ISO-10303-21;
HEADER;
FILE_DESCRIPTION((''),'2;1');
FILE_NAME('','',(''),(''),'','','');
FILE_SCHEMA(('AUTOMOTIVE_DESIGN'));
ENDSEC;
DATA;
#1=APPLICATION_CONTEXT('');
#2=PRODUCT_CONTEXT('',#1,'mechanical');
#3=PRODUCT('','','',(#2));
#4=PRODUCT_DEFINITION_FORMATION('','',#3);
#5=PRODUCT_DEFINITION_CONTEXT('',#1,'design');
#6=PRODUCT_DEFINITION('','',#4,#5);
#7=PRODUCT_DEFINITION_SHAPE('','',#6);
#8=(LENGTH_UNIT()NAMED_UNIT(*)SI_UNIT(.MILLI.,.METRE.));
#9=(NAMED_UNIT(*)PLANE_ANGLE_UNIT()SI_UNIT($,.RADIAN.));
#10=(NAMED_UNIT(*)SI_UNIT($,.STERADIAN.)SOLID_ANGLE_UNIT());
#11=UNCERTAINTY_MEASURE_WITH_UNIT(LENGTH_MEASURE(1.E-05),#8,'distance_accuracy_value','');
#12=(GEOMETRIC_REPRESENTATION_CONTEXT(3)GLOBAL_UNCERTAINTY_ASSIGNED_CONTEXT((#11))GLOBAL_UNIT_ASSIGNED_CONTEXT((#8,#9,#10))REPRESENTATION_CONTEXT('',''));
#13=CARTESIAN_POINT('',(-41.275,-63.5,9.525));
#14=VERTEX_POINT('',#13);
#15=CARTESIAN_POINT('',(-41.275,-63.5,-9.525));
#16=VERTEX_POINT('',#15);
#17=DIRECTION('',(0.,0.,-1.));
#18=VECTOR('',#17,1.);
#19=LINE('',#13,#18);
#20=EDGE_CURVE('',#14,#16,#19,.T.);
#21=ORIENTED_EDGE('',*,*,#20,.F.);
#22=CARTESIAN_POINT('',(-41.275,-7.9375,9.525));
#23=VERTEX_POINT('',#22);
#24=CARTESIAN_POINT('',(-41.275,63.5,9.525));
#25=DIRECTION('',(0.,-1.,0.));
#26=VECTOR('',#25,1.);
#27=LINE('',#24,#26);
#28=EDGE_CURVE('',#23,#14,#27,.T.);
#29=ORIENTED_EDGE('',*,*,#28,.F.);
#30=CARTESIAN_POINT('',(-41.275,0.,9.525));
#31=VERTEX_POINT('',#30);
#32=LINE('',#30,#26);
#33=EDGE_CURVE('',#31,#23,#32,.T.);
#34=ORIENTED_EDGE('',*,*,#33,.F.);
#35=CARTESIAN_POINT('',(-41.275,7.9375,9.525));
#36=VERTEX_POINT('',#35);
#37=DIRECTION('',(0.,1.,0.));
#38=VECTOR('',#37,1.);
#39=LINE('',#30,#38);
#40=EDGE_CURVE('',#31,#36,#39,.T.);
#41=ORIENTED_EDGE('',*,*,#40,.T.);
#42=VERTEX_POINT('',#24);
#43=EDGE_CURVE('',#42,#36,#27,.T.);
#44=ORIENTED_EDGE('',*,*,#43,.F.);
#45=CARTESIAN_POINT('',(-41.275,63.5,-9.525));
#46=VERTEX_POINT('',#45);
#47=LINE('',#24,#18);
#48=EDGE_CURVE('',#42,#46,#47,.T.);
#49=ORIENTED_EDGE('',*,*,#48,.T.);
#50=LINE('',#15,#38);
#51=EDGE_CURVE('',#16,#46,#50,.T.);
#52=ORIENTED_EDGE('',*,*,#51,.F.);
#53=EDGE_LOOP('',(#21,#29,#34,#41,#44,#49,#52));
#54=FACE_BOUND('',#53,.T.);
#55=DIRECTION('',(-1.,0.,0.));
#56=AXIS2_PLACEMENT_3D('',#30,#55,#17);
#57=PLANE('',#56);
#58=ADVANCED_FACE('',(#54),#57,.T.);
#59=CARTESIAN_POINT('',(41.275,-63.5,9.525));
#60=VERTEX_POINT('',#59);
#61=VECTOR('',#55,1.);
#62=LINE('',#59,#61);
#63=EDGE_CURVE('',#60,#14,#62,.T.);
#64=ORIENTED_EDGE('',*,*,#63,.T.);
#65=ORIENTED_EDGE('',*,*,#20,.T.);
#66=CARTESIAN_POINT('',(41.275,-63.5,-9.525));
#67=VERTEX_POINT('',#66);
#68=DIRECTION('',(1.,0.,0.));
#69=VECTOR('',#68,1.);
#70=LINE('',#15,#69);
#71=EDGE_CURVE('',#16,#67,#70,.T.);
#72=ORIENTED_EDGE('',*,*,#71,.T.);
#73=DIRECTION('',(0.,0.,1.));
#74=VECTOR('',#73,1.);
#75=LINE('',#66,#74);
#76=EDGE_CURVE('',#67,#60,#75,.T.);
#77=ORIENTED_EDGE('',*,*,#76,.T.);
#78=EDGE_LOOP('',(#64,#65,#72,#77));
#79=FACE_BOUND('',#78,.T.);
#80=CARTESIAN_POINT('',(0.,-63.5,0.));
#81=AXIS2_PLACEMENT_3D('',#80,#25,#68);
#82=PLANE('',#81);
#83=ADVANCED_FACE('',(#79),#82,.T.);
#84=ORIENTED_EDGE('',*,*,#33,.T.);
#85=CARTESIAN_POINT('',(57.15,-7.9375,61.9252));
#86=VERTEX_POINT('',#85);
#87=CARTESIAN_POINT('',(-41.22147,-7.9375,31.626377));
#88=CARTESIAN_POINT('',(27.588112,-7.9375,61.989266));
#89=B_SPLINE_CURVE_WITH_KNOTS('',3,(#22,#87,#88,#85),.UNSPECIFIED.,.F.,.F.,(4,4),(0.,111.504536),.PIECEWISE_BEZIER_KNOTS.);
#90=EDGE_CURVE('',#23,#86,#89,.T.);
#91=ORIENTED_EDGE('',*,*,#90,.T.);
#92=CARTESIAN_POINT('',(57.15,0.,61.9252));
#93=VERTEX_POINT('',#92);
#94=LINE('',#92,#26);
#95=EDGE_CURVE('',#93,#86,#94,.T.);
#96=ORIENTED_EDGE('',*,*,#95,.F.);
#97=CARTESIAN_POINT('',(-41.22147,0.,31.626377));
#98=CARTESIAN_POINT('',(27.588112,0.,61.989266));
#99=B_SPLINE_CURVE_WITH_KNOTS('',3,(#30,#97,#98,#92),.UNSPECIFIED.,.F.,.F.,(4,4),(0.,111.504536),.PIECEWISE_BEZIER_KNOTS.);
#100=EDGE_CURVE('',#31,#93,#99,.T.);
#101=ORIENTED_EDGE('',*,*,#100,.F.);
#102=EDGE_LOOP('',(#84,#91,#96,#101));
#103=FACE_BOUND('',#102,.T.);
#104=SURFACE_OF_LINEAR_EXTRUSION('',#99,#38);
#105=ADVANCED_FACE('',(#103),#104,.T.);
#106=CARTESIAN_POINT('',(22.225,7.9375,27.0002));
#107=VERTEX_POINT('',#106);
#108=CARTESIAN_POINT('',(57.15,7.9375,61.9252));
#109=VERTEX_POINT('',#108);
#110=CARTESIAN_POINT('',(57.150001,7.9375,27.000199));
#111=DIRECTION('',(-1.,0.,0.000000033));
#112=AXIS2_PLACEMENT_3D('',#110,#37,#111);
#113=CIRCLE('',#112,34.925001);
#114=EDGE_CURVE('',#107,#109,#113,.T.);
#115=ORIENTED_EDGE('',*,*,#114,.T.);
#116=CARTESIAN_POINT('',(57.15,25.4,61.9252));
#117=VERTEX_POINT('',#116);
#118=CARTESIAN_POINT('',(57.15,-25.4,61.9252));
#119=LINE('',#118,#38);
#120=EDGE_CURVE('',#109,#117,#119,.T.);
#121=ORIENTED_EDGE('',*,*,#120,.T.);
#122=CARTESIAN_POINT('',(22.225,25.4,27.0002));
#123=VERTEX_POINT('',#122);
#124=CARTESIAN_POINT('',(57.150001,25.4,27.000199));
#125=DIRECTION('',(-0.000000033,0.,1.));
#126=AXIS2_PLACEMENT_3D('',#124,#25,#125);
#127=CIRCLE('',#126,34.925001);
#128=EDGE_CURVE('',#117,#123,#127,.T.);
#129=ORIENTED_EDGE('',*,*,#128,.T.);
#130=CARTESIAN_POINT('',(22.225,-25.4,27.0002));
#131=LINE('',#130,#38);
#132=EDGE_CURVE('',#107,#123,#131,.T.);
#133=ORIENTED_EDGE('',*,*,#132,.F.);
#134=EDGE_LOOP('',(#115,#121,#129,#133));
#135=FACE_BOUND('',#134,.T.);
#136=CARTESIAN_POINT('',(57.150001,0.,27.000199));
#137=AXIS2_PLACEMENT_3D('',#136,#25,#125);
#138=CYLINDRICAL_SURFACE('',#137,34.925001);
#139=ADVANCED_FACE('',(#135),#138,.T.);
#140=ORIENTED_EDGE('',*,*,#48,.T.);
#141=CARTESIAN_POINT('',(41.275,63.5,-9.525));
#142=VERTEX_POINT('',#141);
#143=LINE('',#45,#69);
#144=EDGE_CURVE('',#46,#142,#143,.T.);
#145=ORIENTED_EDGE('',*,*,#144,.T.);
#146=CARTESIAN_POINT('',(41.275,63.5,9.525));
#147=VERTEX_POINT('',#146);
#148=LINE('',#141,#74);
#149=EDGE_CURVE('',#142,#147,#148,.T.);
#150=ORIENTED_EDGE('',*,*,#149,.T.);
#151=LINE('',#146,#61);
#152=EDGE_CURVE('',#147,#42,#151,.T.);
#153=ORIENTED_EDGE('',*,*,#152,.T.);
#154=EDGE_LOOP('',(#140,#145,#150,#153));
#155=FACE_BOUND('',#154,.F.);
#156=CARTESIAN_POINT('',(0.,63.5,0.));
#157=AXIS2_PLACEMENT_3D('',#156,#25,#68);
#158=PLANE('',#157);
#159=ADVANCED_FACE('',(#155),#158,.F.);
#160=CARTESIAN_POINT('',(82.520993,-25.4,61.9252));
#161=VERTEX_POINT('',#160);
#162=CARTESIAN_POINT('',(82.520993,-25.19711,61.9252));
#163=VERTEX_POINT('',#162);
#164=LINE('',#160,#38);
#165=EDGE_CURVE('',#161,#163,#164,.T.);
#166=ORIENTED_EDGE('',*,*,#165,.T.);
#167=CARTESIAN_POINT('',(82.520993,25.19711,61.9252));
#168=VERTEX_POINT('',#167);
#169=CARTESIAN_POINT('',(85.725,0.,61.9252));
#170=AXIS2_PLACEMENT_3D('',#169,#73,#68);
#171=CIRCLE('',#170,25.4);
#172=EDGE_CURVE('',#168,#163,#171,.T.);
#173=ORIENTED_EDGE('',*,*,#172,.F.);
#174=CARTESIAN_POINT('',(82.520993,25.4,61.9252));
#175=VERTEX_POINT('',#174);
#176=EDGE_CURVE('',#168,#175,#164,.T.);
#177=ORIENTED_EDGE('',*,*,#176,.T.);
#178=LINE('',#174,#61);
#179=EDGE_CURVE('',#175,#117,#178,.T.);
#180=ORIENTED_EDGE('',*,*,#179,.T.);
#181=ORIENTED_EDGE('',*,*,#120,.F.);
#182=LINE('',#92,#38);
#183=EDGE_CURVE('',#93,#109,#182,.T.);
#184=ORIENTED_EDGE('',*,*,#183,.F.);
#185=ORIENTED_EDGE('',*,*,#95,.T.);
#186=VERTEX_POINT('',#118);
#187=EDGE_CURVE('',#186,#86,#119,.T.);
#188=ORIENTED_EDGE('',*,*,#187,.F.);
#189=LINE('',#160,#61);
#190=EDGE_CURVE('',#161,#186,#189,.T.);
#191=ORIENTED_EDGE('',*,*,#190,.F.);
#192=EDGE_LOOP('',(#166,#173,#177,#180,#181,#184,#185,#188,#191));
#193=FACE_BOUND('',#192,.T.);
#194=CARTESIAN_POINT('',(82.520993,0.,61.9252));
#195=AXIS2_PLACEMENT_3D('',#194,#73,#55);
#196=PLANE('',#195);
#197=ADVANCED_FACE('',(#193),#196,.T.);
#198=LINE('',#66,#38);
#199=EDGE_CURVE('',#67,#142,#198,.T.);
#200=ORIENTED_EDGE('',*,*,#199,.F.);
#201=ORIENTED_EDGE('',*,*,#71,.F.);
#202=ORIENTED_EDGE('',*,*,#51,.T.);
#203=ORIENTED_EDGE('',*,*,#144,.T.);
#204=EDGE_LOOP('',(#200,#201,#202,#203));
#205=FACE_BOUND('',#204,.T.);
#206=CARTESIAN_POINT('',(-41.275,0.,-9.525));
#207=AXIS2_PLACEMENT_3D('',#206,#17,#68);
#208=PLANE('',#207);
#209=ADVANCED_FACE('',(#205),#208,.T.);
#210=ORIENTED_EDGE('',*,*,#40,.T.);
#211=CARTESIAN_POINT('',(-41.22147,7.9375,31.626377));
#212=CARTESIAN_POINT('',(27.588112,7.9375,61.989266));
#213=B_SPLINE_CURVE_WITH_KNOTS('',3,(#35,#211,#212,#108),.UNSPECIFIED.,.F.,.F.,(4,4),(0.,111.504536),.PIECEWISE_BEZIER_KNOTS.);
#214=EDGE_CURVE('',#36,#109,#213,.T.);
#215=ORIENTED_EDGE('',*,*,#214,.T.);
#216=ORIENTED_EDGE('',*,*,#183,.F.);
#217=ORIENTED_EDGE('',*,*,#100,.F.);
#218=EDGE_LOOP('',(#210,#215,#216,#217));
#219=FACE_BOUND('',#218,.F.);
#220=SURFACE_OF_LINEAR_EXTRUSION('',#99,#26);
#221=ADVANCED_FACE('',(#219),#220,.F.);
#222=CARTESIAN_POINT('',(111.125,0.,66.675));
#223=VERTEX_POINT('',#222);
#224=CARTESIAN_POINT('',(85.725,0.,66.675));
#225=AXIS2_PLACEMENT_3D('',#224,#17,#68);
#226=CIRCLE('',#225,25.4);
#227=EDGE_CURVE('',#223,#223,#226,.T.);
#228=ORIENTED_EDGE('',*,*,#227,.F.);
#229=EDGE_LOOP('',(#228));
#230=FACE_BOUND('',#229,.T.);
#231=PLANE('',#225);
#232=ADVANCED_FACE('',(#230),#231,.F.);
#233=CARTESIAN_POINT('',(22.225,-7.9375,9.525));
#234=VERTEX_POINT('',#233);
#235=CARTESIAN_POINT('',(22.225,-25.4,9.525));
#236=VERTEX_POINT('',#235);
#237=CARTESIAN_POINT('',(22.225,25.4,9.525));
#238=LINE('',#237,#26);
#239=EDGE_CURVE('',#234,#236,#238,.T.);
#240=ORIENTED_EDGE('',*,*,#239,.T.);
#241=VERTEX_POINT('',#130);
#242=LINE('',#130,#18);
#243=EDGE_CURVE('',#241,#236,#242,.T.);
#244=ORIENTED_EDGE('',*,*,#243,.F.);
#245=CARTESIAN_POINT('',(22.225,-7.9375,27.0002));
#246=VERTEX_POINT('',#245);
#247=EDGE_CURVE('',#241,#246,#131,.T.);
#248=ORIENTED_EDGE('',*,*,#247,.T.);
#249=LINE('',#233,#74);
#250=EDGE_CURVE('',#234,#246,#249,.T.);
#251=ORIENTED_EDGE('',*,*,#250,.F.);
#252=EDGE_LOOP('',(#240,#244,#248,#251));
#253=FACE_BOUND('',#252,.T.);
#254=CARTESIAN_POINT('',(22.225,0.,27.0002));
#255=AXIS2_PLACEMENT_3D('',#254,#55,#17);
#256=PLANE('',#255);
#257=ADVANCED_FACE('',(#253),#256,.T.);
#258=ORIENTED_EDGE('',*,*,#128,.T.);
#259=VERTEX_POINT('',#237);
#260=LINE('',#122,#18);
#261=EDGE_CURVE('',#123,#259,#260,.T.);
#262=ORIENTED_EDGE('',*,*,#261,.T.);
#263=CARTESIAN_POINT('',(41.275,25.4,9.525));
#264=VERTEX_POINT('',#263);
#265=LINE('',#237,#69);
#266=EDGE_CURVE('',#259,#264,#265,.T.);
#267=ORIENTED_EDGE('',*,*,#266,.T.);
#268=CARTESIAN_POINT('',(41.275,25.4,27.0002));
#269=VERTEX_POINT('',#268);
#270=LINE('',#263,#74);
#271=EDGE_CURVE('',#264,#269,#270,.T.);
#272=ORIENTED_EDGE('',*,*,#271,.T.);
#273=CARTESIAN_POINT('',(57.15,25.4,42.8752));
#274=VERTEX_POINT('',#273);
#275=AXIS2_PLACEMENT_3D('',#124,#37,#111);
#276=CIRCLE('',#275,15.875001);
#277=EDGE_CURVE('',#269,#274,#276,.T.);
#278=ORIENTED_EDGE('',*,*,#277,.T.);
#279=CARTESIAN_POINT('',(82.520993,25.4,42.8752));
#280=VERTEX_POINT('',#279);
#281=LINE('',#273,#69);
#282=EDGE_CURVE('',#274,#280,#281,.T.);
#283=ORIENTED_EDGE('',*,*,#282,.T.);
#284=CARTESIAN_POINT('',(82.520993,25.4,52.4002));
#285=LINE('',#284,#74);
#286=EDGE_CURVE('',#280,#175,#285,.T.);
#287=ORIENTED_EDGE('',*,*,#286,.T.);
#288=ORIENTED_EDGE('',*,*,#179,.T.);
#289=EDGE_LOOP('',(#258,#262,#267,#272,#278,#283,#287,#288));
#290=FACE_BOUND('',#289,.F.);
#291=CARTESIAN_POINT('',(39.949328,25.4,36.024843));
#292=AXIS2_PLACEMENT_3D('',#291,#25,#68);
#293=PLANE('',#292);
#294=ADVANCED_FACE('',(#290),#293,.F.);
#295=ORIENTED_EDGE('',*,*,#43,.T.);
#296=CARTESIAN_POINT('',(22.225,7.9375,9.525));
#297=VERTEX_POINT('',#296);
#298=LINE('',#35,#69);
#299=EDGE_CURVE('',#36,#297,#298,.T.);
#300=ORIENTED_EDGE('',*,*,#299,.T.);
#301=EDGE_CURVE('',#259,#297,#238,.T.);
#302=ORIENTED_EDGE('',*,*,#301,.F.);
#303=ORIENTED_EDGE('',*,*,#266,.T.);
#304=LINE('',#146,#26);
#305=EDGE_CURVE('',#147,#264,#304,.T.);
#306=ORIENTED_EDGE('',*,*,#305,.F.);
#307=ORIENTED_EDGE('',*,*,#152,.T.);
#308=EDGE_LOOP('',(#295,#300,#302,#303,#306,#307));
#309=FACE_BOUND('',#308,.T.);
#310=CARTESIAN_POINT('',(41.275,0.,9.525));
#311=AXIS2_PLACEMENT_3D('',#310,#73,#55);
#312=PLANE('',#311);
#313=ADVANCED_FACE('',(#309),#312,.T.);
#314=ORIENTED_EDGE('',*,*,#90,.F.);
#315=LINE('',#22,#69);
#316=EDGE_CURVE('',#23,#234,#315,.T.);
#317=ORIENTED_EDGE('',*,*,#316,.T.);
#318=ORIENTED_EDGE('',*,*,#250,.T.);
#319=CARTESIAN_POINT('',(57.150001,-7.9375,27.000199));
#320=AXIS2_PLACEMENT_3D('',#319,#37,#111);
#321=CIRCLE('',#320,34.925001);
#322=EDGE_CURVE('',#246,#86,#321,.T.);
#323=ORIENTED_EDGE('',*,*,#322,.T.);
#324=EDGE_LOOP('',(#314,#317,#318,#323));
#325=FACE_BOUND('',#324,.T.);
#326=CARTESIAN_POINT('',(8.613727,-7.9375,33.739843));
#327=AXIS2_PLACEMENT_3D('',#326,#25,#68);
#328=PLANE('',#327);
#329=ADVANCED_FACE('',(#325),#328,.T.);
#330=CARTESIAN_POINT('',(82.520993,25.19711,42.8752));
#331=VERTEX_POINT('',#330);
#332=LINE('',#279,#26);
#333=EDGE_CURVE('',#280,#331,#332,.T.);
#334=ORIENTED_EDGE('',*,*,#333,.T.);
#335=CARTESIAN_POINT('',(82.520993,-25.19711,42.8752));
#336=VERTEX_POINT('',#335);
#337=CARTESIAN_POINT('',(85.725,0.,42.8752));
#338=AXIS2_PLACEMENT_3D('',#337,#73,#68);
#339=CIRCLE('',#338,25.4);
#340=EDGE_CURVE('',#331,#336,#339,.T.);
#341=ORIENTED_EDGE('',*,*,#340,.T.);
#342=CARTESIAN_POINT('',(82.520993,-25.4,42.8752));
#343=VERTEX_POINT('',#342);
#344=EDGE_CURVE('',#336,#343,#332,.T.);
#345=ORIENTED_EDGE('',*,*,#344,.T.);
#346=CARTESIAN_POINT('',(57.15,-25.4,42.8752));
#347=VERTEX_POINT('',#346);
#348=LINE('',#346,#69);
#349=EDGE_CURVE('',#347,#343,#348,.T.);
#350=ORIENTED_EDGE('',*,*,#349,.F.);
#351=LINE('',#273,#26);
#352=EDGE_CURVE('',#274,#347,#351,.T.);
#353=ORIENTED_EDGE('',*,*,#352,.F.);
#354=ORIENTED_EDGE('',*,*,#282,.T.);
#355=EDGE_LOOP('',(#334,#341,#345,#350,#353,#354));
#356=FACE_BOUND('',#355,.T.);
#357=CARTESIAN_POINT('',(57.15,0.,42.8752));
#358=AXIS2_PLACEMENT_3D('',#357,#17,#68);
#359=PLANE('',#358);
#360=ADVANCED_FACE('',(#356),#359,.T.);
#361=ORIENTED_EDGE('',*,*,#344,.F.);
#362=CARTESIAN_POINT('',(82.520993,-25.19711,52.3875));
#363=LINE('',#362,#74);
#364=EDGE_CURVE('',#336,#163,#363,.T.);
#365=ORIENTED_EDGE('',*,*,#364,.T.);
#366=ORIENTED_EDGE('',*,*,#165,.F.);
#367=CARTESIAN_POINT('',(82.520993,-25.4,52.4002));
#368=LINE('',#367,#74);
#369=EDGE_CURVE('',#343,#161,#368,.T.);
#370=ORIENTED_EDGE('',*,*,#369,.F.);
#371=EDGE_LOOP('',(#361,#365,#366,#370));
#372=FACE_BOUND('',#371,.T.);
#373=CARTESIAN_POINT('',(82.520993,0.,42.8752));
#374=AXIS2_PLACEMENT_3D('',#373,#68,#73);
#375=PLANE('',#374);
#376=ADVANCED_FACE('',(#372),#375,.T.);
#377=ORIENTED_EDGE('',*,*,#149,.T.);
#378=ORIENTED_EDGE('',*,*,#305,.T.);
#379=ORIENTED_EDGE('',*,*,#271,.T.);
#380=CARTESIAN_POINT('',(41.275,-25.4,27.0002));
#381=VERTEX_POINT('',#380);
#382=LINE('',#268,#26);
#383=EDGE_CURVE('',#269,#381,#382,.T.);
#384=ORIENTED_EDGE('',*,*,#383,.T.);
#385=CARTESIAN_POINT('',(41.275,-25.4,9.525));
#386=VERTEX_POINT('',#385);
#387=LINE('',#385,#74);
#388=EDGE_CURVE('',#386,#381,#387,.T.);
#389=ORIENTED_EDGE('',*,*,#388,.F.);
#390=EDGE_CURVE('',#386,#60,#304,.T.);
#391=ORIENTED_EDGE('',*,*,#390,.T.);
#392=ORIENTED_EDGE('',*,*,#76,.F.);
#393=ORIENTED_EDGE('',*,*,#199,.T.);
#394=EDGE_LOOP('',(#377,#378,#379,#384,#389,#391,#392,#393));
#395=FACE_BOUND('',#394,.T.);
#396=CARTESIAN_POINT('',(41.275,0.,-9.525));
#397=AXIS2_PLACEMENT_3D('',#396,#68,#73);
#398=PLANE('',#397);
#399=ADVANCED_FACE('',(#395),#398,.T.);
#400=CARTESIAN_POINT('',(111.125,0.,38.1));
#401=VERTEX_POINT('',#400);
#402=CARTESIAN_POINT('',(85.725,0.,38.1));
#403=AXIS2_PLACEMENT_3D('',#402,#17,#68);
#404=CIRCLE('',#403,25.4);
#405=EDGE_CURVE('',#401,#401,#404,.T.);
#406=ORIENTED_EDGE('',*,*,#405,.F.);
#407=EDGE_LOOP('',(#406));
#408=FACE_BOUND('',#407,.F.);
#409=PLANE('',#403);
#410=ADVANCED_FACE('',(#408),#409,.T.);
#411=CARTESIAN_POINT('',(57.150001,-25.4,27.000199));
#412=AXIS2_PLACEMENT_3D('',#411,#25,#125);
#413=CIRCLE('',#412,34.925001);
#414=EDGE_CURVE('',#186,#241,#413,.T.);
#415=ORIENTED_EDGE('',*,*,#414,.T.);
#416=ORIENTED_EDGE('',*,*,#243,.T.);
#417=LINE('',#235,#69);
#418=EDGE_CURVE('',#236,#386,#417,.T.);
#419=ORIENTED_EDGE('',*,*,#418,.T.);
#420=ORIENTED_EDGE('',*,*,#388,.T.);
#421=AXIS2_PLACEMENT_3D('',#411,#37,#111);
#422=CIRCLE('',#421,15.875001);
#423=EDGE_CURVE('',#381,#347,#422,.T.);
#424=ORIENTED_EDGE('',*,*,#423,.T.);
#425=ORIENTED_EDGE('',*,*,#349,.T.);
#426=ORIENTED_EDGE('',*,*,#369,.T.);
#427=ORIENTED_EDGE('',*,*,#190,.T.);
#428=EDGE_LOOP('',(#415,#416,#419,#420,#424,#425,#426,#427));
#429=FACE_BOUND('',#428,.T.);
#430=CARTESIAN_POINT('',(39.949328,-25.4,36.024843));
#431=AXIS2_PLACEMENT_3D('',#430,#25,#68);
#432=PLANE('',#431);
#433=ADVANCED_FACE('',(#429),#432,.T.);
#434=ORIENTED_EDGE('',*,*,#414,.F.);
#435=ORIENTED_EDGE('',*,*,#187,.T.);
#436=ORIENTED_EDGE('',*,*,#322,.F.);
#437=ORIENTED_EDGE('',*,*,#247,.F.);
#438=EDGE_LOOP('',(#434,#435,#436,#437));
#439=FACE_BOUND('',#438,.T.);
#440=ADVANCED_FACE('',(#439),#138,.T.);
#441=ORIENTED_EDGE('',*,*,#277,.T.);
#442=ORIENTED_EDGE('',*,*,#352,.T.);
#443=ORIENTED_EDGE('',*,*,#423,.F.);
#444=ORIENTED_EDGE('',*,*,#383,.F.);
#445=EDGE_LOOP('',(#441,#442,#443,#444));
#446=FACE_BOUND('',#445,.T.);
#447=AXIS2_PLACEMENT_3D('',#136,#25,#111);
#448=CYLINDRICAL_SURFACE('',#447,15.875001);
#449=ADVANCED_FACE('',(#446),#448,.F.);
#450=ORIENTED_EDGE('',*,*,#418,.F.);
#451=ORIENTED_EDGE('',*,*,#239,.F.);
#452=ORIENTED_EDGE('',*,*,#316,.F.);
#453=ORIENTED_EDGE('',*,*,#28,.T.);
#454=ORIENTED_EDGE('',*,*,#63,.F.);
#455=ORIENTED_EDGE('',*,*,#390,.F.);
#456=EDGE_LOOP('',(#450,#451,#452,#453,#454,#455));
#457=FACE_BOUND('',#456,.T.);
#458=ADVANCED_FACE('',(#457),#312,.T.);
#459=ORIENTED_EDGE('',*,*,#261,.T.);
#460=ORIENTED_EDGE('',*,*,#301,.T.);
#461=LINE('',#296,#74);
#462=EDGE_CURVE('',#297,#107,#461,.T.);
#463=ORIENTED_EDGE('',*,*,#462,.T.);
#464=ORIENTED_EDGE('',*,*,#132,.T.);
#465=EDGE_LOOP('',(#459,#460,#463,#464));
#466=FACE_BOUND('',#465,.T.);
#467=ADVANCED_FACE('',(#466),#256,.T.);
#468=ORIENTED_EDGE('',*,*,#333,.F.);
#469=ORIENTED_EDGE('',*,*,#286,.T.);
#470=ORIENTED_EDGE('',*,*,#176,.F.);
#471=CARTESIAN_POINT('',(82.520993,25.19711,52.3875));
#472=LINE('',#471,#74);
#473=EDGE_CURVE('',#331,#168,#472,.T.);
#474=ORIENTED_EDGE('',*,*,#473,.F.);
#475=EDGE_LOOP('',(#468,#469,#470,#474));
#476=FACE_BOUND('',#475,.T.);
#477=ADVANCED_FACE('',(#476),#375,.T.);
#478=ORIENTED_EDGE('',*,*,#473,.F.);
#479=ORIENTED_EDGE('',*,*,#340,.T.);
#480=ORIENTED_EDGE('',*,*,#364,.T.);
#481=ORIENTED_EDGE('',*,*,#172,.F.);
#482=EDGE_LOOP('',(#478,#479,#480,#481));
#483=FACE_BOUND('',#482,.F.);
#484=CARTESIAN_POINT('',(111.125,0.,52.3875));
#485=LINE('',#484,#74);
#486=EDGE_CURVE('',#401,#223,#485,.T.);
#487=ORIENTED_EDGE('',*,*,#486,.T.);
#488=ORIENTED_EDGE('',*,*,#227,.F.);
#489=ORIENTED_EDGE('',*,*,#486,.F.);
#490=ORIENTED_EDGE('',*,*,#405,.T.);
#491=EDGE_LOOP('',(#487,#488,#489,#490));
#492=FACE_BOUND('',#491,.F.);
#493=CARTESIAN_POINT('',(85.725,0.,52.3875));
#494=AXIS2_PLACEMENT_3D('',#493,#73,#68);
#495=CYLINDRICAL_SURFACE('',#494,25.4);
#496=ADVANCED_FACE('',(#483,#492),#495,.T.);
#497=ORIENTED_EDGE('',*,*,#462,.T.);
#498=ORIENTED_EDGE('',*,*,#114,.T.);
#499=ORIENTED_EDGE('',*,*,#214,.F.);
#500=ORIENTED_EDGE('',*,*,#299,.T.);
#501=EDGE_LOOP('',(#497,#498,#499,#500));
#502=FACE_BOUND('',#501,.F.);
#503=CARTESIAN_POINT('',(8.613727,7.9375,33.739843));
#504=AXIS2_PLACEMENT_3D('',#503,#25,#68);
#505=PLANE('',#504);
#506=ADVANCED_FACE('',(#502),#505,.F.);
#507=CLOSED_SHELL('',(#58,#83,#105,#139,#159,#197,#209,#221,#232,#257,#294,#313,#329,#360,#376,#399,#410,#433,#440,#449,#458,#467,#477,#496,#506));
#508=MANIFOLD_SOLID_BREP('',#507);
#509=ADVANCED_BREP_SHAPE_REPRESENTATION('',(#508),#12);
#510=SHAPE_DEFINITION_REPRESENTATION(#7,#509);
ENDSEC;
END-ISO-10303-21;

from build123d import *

# Parameters (mm, degrees)
F1_DEPTH = 63.5
F0_W     = 22.195993
F0_H     = 19.05
F2_DEPTH = 25.4
F3_DEPTH = 7.9375
F0_W_2   = 25.4
F0_H_2   = 28.575


with BuildPart() as f1:
    # F0 (on Front) → F1 (new body, symmetric)
    with BuildSketch(Plane.XZ):
        Polygon((41.275, -9.525), (41.275, 9.525), (22.225, 9.525), (-41.275, 9.525), (-41.275, -9.525), align=None)
    extrude(amount=F1_DEPTH, both=True)

    # F0 (on Front) → F2 (join, symmetric)
    with BuildSketch(Plane.XZ):
        with BuildLine():
            Line((22.225, 9.525), (41.275, 9.525))
            Line((41.275, 9.525), (41.275, 27.0002))
            ThreePointArc((41.275, 27.0002), (45.92468, 38.22552), (57.15, 42.8752))
            Line((57.15, 42.8752), (60.325, 42.8752))
            Line((60.325, 42.8752), (60.325, 61.9252))
            Line((60.325, 61.9252), (57.15, 61.9252))
            ThreePointArc((57.15, 61.9252), (32.454296, 51.695904), (22.225, 27.0002))
            Line((22.225, 27.0002), (22.225, 9.525))
        make_face()
        with Locations((71.422996, 52.4002)):
            Rectangle(F0_W, F0_H)
    extrude(amount=F2_DEPTH, both=True)

    # F0 (on Front) → F3 (join, symmetric)
    with BuildSketch(Plane.XZ):
        with BuildLine():
            Line((-41.275, 9.525), (22.225, 9.525))
            Line((22.225, 9.525), (22.225, 27.0002))
            ThreePointArc((22.225, 27.0002), (32.454296, 51.695904), (57.15, 61.9252))
            add(Edge.make_bspline(
                [(-41.275, 9.525), (-41.22147, 31.626377), (27.588112, 61.989266), (57.15, 61.9252)],
                knots=[0, 0, 0, 0, 111.504536, 111.504536, 111.504536, 111.504536], degree=3))
        make_face()
    extrude(amount=F3_DEPTH, both=True)

    # F0 (on Front) → F4 (revolve)
    with BuildSketch(Plane.XZ):
        with Locations((98.425, 52.3875)):
            Rectangle(F0_W_2, F0_H_2)
    revolve(axis=Axis((85.725, 0, 52.3875), (0, 0, -1)))


solid = f1.part
